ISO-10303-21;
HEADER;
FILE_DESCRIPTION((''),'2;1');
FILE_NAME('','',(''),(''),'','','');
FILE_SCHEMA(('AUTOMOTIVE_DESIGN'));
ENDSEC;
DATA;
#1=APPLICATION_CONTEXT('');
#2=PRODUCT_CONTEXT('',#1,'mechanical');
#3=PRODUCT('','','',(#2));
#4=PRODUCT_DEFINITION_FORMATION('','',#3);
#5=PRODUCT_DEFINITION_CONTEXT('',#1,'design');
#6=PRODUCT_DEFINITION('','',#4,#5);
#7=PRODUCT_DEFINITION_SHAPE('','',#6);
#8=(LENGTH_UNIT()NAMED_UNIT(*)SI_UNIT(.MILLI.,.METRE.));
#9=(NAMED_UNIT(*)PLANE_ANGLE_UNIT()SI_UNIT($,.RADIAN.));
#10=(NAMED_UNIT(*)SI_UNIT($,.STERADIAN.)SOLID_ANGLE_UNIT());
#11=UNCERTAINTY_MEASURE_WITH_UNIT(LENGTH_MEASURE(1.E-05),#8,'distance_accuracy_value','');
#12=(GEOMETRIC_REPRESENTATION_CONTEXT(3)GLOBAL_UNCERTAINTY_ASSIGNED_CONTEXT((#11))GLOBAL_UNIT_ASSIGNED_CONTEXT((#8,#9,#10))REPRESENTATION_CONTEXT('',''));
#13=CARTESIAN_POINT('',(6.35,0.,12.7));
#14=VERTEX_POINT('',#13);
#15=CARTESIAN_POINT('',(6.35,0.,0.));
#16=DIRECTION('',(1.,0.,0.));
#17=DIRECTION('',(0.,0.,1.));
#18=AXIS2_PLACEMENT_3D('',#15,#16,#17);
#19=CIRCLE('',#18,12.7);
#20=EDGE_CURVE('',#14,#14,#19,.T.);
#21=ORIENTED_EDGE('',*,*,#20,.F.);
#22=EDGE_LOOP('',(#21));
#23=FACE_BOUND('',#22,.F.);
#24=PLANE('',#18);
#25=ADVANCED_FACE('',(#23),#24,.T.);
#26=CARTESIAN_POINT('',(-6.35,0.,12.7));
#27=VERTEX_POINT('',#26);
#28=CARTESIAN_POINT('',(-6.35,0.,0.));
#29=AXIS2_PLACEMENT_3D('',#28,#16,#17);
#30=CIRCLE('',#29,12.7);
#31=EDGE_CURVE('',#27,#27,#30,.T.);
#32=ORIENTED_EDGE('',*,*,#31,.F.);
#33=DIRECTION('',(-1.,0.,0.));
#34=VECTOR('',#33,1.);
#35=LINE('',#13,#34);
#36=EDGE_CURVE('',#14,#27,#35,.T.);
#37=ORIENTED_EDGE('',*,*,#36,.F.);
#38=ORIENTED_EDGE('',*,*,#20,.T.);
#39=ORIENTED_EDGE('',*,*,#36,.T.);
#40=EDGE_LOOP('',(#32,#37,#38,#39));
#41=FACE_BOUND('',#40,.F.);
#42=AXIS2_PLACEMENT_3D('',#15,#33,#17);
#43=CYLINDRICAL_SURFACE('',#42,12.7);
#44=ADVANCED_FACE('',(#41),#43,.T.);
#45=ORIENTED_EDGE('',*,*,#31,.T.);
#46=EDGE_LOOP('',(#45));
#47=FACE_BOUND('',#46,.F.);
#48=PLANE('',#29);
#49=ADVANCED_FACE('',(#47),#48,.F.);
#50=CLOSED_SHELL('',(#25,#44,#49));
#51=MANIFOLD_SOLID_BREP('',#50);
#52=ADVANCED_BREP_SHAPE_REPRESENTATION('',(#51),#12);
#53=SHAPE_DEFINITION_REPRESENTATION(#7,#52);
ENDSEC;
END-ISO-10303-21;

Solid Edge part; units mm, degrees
sketch "Sketch1" plane through (10.8674, 0, 10.8674) normal (0, -1, 0) x (1, 0, 0)
  line L0 (-4.5174, -10.8674) -> (-4.5174, 1.8326)
  line L1 (-4.5174, 1.8326) -> (-17.2174, 1.8326)
  line L2 (-17.2174, 1.8326) -> (-17.2174, -10.8674)
  dimension "D1" = 12.7
revolve "RevolvedProtrusion1" add sketch "Sketch1" angle 360 about axis through (-6.35, 0, 0) along (1, 0, 0)
properties material "Steel"
